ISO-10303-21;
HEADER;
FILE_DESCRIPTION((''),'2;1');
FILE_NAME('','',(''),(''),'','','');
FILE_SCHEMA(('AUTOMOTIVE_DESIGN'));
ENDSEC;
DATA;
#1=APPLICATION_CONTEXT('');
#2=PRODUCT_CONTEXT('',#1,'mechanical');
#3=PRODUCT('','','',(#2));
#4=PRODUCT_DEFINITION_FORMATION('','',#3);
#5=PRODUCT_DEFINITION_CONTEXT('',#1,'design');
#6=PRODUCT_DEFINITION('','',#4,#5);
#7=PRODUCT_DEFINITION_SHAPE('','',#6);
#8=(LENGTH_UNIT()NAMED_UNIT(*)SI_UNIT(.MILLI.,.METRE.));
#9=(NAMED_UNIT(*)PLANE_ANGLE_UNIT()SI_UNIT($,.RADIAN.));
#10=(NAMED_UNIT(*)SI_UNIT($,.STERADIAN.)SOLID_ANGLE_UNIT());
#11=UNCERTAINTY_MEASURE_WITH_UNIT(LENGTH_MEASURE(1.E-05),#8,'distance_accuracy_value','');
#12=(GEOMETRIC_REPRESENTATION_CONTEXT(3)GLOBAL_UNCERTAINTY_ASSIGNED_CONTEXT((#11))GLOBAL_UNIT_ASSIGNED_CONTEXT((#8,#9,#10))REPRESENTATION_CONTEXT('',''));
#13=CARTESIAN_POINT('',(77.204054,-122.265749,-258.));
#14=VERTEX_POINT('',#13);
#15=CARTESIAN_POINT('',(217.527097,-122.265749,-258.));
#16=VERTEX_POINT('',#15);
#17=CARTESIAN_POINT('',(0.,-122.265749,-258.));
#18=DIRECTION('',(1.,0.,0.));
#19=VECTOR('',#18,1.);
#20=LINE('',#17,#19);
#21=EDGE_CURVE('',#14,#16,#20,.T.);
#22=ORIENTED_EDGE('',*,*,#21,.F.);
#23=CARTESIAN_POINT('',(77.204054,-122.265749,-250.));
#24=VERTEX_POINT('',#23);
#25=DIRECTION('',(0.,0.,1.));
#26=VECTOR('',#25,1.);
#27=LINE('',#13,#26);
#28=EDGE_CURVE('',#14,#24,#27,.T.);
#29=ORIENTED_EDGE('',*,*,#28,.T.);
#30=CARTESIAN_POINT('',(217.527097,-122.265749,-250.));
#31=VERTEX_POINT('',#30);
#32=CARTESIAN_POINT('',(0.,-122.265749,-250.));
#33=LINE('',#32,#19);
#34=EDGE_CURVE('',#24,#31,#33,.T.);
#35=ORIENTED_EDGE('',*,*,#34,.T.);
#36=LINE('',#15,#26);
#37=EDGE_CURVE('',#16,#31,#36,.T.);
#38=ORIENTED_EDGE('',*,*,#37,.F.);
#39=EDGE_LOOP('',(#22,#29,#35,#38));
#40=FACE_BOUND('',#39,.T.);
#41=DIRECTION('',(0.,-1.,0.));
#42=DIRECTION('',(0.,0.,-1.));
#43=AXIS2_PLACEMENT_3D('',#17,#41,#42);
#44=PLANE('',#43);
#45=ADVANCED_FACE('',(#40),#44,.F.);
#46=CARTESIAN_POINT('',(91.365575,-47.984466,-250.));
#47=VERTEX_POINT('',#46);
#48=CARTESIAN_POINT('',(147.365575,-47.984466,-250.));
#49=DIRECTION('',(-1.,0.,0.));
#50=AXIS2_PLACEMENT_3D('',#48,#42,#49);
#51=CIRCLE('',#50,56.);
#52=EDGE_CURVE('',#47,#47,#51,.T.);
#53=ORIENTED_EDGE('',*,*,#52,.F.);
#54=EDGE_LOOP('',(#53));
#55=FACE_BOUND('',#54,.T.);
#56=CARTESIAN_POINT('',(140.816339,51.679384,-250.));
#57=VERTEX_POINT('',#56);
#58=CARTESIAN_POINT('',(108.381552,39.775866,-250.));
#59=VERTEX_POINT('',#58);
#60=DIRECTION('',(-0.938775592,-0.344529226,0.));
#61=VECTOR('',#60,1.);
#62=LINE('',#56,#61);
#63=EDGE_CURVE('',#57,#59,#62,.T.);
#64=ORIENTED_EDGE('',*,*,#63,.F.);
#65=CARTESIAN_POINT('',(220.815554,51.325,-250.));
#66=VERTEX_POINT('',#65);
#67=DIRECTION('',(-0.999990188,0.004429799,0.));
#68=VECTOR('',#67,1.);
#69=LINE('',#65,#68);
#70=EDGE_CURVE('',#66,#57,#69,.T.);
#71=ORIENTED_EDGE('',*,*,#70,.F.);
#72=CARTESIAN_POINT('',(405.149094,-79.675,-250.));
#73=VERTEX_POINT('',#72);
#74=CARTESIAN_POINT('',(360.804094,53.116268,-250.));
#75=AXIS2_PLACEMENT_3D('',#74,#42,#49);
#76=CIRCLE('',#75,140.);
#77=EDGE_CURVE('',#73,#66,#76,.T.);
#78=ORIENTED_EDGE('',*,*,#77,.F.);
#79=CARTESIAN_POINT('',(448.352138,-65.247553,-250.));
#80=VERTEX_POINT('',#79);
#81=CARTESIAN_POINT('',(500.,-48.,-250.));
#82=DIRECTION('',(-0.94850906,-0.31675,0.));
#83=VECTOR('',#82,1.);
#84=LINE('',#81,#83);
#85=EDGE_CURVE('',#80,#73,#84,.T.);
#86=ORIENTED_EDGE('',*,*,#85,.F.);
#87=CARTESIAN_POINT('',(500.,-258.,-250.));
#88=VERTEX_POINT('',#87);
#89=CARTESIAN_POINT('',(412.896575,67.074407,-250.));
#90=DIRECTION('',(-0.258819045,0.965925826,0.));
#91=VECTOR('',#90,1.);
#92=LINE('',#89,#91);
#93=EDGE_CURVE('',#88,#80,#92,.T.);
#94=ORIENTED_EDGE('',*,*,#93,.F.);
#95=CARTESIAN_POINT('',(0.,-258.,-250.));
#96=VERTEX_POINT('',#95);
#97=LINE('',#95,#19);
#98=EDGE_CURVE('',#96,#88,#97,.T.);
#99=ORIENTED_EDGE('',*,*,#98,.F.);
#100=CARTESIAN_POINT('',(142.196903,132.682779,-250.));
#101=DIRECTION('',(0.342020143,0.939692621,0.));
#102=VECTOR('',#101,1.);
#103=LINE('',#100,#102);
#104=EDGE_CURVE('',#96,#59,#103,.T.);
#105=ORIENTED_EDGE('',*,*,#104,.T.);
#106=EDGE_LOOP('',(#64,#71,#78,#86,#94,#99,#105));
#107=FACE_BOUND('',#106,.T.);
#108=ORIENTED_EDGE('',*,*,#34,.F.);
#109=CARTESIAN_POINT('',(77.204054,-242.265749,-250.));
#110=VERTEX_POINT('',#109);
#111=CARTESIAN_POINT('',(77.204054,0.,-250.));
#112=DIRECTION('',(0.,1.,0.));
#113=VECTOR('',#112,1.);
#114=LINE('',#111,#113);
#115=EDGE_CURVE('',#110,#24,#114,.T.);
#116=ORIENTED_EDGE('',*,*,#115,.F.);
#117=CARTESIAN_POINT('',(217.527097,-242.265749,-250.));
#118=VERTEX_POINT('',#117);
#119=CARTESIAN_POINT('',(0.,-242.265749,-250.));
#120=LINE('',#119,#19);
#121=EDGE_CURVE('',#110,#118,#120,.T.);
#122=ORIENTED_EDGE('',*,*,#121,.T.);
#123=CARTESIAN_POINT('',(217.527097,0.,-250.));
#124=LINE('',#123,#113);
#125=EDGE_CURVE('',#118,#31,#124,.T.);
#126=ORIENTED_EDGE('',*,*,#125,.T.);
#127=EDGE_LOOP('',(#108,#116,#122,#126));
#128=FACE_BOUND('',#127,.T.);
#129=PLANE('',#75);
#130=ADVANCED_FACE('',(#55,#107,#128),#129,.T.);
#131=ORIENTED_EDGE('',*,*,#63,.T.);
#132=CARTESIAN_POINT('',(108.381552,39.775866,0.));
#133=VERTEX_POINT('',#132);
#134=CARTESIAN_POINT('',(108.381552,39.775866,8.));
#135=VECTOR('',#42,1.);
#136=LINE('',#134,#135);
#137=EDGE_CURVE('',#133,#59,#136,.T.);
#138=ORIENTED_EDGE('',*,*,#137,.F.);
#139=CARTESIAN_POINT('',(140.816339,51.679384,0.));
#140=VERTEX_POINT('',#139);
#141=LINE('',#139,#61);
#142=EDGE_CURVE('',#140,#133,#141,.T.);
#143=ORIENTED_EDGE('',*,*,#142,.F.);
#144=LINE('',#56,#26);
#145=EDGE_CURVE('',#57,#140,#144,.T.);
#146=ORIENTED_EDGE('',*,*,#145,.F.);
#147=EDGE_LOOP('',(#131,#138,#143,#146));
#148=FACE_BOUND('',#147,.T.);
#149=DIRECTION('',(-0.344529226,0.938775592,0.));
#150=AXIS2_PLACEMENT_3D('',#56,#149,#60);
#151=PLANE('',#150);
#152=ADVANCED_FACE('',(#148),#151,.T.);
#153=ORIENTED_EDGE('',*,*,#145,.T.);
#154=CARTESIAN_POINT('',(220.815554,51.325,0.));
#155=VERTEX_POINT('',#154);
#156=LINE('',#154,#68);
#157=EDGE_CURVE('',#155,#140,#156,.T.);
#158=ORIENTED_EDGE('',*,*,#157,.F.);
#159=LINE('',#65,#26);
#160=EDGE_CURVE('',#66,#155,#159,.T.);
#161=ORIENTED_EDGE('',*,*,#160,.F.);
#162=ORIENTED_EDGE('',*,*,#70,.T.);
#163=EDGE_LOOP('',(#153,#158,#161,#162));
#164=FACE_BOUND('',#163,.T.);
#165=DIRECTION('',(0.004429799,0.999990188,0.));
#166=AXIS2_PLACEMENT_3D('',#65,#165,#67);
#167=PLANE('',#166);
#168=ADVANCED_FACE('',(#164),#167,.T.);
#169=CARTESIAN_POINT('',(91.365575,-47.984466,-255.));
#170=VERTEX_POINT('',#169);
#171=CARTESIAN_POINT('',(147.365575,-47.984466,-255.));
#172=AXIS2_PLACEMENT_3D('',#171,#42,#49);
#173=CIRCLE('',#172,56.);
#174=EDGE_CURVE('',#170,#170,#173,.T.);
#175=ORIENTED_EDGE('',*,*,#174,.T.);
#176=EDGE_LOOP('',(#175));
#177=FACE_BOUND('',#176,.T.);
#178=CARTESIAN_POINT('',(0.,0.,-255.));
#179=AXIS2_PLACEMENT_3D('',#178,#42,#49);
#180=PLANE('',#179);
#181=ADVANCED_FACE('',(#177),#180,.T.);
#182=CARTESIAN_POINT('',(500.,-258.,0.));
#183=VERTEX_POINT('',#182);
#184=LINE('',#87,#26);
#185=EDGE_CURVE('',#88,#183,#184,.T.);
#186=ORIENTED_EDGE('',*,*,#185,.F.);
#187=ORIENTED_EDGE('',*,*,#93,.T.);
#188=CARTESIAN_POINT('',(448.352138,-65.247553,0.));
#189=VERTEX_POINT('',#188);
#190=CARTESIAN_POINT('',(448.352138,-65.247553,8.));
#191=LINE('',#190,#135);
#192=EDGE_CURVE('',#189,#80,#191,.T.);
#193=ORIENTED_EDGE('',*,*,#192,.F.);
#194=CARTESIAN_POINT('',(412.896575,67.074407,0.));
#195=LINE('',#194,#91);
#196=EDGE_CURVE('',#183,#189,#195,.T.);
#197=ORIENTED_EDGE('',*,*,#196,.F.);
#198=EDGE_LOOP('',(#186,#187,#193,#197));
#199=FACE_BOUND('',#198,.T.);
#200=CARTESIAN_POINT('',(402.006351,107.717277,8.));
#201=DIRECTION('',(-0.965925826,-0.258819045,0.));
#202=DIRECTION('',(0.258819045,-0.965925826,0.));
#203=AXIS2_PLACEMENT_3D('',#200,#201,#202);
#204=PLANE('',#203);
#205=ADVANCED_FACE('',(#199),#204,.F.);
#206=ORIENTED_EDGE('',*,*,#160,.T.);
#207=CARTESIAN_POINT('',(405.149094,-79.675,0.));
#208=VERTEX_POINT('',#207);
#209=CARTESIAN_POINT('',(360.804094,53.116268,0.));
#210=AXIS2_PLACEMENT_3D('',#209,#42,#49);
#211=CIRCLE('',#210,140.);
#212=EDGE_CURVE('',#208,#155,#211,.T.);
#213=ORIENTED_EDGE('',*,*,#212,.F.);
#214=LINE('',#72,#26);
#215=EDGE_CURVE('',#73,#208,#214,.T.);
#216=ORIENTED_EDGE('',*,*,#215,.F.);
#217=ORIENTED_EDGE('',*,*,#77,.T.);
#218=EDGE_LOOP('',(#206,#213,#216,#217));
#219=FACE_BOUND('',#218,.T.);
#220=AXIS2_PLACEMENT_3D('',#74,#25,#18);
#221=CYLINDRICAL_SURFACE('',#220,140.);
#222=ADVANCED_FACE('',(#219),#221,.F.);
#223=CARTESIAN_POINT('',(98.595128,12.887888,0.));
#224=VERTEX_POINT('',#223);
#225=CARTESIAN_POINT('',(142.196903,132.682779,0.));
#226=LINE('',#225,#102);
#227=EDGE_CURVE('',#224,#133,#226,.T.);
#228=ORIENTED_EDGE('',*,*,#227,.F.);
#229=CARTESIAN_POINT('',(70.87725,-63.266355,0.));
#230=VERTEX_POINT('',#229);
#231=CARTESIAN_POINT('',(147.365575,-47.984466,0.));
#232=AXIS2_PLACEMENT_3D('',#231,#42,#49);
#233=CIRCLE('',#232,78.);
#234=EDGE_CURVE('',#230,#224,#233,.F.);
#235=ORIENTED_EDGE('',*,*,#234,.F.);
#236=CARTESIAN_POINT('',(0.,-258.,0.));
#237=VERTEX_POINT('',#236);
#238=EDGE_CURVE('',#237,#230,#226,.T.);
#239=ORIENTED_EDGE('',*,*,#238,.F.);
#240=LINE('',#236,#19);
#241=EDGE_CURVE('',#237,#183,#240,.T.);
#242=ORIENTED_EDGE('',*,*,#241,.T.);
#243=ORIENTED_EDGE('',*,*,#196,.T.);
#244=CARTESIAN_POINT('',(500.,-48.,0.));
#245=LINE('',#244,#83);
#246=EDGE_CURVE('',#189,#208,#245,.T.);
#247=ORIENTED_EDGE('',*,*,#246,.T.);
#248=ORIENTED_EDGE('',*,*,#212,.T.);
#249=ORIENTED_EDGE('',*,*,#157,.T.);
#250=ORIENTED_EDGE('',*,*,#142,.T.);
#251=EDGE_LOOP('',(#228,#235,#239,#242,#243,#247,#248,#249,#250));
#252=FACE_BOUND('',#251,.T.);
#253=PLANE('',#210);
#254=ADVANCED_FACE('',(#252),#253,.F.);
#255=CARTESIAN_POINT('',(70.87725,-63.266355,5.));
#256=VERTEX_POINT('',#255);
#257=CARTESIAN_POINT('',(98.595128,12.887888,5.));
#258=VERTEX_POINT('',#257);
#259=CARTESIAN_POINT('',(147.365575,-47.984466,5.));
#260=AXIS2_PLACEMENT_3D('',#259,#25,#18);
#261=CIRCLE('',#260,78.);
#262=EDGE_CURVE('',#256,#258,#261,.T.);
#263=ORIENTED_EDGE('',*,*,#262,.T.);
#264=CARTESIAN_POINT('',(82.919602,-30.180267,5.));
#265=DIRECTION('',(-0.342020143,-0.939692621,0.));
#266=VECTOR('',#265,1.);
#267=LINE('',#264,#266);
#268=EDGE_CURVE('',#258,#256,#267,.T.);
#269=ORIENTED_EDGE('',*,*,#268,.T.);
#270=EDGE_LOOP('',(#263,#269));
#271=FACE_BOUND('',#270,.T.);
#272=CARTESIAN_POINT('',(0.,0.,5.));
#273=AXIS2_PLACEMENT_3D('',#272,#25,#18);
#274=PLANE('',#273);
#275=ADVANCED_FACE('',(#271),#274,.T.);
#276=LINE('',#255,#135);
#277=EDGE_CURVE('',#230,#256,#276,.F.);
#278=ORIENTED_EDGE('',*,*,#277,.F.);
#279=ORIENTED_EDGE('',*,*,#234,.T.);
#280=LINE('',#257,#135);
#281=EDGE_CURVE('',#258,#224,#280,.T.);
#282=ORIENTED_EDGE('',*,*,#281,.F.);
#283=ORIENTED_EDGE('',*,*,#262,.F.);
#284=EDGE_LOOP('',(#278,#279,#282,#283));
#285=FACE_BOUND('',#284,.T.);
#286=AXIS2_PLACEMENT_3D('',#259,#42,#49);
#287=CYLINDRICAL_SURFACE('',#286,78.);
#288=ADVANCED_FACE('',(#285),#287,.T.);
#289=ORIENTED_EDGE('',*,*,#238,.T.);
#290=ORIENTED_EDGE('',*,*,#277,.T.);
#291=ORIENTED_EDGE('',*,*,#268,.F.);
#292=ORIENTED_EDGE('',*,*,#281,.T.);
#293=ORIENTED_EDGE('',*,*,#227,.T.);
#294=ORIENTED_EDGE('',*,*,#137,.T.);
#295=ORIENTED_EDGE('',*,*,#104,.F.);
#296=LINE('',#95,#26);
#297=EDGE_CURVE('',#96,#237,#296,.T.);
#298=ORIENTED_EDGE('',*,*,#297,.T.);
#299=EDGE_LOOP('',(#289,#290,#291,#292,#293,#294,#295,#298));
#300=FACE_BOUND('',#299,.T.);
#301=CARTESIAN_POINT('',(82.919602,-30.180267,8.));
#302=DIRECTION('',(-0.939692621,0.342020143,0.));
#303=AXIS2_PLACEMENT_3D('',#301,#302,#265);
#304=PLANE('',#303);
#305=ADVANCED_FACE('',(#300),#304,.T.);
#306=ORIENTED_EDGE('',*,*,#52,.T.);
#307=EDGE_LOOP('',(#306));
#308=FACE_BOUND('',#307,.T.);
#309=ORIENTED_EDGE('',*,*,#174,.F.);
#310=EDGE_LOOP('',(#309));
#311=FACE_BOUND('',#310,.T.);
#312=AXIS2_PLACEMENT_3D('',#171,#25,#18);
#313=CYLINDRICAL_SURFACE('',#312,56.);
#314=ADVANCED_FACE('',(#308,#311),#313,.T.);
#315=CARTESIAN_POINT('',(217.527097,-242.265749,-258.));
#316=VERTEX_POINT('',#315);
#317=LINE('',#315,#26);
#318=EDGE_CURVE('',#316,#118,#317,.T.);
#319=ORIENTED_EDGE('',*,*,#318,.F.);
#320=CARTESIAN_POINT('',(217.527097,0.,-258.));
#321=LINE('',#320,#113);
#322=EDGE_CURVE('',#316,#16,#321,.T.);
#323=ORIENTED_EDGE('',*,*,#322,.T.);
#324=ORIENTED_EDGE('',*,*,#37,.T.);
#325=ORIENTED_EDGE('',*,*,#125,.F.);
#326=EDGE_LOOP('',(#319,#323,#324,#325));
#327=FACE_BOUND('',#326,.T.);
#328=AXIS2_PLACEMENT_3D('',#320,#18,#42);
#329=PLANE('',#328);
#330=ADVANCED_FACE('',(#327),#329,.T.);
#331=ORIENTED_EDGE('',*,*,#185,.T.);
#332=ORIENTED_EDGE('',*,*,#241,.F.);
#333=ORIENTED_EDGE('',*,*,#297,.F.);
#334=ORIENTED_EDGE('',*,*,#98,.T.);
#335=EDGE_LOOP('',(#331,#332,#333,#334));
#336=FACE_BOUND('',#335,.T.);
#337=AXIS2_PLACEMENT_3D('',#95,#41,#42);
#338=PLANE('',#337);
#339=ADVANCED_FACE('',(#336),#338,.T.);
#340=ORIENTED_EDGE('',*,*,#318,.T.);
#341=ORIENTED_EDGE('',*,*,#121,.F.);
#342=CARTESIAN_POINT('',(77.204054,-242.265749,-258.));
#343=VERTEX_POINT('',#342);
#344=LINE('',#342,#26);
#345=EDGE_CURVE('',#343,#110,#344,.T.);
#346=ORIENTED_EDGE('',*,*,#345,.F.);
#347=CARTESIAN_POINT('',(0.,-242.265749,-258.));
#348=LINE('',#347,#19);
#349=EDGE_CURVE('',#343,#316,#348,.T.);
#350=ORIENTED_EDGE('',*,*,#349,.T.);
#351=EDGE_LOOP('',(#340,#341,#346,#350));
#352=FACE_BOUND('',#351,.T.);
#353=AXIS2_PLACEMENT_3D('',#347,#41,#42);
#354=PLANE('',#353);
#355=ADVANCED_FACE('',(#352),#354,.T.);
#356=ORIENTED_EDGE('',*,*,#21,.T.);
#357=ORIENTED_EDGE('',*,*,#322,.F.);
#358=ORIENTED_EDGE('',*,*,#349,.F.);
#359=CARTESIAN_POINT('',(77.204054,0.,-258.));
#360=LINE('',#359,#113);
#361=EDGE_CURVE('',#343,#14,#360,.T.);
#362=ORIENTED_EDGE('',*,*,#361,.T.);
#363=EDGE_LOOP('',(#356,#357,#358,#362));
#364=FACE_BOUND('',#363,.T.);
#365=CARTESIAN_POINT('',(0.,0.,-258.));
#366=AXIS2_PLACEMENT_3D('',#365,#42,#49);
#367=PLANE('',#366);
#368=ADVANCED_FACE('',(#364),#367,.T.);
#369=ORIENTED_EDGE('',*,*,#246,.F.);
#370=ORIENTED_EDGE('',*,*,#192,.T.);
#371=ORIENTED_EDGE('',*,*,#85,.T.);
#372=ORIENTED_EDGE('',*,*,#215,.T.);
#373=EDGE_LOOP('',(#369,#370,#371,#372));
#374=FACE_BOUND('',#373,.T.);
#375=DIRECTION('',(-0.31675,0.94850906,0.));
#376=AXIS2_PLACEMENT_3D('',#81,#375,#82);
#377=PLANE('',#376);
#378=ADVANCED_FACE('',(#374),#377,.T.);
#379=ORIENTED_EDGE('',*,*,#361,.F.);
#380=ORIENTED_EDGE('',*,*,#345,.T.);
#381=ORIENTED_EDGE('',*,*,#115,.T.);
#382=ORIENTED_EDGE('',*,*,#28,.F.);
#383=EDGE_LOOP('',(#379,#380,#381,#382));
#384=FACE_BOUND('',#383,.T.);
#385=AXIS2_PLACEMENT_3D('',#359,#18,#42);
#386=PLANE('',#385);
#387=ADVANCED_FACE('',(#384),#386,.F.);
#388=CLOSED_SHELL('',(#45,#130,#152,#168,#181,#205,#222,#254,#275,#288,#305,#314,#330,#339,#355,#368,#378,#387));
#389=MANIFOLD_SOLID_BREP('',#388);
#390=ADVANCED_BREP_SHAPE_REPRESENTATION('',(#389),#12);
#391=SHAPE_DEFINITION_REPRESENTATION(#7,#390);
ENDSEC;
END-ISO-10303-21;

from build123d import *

# Parameters (mm, degrees)
BOSS_EXTRUDE1_DEPTH     = 250
SKETCH3_R               = 78
BOSS_EXTRUDE2_DEPTH     = 5
SKETCH4_W               = 20
SKETCH4_H               = 50
BOSS_EXTRUDE3_DEPTH     = 8
SKETCH5_R               = 56
BOSS_EXTRUDE4_DEPTH     = 5
SKETCH6_W               = 140.323042475
SKETCH6_H               = 120
BOSS_EXTRUDE5_DEPTH     = 8
CUT_EXTRUDE1_DEPTH      = 619.973343529
CUT_EXTRUDE1_DEPTH_BACK = 619.973343529
CUT_EXTRUDE2_DEPTH      = 619.973343529
CUT_EXTRUDE2_DEPTH_BACK = 619.973343529


with BuildPart() as part:
    # Sketch2 → Boss-Extrude1 (new body)
    with BuildSketch(Plane.XY):
        with BuildLine():
            Line((0, 0), (0, -258))
            Line((0, -258), (500, -258))
            Line((500, -258), (500, -48))
            Line((500, -48), (405.149093968, -79.675))
            ThreePointArc((405.149093968, -79.675), (279.704330156, -61.001338916), (220.815553876, 51.325))
            Line((220.815553876, 51.325), (140.816338804, 51.679383953))
            Line((140.816338804, 51.679383953), (0, 0))
        make_face()
    extrude(amount=-BOSS_EXTRUDE1_DEPTH)

    # Sketch3 → Boss-Extrude2 (add)
    with BuildSketch(Plane.XY):
        with Locations(Location((147.365575326, -47.984465758, 0), (0, 0, 180))):
            Circle(SKETCH3_R)
    extrude(amount=BOSS_EXTRUDE2_DEPTH)

    # Sketch4 → Boss-Extrude3 (add)
    with BuildSketch(Plane.XY):
        with Locations((33.562653109, -47.515690105)):
            Rectangle(SKETCH4_W, SKETCH4_H)
    extrude(amount=BOSS_EXTRUDE3_DEPTH)

    # Sketch5 → Boss-Extrude4 (add)
    with BuildSketch(Plane(origin=(0, 0, -250), x_dir=(-1, 0, 0), z_dir=(0, 0, -1))):
        with Locations((-147.365575326, -47.984465758)):
            Circle(SKETCH5_R)
    extrude(amount=BOSS_EXTRUDE4_DEPTH)

    # Sketch6 → Boss-Extrude5 (add)
    with BuildSketch(Plane(origin=(0, 0, -250), x_dir=(-1, 0, 0), z_dir=(0, 0, -1))):
        with Locations((-147.365575326, -182.265748938)):
            Rectangle(SKETCH6_W, SKETCH6_H)
    extrude(amount=BOSS_EXTRUDE5_DEPTH)

    # Sketch8 → Cut-Extrude1 (cut, two sides: drawn at the far end of the back side and taken through both)
    with BuildSketch(Plane(origin=(0, 0, -250), x_dir=(-1, 0, 0), z_dir=(0, 0, -1)).offset(-CUT_EXTRUDE1_DEPTH_BACK)):
        Polygon((-500, -78.40253223), (-500, -258), (-457.637340455, -99.900402235), (-448.352137529, -65.247553157), (-500, -48), align=None)
    extrude(amount=CUT_EXTRUDE1_DEPTH + CUT_EXTRUDE1_DEPTH_BACK, mode=Mode.SUBTRACT)

    # Sketch9 → Cut-Extrude2 (cut, two sides: drawn at the far end of the back side and taken through both)
    with BuildSketch(Plane(origin=(0, 0, -250), x_dir=(-1, 0, 0), z_dir=(0, 0, -1)).offset(-CUT_EXTRUDE2_DEPTH_BACK)):
        Polygon((-65.451377524, -78.173818182), (0, -258), (0, -19.248703784), (0, 0), (-108.38155171, 39.77586601), align=None)
    extrude(amount=CUT_EXTRUDE2_DEPTH + CUT_EXTRUDE2_DEPTH_BACK, mode=Mode.SUBTRACT)


solid = part.part
